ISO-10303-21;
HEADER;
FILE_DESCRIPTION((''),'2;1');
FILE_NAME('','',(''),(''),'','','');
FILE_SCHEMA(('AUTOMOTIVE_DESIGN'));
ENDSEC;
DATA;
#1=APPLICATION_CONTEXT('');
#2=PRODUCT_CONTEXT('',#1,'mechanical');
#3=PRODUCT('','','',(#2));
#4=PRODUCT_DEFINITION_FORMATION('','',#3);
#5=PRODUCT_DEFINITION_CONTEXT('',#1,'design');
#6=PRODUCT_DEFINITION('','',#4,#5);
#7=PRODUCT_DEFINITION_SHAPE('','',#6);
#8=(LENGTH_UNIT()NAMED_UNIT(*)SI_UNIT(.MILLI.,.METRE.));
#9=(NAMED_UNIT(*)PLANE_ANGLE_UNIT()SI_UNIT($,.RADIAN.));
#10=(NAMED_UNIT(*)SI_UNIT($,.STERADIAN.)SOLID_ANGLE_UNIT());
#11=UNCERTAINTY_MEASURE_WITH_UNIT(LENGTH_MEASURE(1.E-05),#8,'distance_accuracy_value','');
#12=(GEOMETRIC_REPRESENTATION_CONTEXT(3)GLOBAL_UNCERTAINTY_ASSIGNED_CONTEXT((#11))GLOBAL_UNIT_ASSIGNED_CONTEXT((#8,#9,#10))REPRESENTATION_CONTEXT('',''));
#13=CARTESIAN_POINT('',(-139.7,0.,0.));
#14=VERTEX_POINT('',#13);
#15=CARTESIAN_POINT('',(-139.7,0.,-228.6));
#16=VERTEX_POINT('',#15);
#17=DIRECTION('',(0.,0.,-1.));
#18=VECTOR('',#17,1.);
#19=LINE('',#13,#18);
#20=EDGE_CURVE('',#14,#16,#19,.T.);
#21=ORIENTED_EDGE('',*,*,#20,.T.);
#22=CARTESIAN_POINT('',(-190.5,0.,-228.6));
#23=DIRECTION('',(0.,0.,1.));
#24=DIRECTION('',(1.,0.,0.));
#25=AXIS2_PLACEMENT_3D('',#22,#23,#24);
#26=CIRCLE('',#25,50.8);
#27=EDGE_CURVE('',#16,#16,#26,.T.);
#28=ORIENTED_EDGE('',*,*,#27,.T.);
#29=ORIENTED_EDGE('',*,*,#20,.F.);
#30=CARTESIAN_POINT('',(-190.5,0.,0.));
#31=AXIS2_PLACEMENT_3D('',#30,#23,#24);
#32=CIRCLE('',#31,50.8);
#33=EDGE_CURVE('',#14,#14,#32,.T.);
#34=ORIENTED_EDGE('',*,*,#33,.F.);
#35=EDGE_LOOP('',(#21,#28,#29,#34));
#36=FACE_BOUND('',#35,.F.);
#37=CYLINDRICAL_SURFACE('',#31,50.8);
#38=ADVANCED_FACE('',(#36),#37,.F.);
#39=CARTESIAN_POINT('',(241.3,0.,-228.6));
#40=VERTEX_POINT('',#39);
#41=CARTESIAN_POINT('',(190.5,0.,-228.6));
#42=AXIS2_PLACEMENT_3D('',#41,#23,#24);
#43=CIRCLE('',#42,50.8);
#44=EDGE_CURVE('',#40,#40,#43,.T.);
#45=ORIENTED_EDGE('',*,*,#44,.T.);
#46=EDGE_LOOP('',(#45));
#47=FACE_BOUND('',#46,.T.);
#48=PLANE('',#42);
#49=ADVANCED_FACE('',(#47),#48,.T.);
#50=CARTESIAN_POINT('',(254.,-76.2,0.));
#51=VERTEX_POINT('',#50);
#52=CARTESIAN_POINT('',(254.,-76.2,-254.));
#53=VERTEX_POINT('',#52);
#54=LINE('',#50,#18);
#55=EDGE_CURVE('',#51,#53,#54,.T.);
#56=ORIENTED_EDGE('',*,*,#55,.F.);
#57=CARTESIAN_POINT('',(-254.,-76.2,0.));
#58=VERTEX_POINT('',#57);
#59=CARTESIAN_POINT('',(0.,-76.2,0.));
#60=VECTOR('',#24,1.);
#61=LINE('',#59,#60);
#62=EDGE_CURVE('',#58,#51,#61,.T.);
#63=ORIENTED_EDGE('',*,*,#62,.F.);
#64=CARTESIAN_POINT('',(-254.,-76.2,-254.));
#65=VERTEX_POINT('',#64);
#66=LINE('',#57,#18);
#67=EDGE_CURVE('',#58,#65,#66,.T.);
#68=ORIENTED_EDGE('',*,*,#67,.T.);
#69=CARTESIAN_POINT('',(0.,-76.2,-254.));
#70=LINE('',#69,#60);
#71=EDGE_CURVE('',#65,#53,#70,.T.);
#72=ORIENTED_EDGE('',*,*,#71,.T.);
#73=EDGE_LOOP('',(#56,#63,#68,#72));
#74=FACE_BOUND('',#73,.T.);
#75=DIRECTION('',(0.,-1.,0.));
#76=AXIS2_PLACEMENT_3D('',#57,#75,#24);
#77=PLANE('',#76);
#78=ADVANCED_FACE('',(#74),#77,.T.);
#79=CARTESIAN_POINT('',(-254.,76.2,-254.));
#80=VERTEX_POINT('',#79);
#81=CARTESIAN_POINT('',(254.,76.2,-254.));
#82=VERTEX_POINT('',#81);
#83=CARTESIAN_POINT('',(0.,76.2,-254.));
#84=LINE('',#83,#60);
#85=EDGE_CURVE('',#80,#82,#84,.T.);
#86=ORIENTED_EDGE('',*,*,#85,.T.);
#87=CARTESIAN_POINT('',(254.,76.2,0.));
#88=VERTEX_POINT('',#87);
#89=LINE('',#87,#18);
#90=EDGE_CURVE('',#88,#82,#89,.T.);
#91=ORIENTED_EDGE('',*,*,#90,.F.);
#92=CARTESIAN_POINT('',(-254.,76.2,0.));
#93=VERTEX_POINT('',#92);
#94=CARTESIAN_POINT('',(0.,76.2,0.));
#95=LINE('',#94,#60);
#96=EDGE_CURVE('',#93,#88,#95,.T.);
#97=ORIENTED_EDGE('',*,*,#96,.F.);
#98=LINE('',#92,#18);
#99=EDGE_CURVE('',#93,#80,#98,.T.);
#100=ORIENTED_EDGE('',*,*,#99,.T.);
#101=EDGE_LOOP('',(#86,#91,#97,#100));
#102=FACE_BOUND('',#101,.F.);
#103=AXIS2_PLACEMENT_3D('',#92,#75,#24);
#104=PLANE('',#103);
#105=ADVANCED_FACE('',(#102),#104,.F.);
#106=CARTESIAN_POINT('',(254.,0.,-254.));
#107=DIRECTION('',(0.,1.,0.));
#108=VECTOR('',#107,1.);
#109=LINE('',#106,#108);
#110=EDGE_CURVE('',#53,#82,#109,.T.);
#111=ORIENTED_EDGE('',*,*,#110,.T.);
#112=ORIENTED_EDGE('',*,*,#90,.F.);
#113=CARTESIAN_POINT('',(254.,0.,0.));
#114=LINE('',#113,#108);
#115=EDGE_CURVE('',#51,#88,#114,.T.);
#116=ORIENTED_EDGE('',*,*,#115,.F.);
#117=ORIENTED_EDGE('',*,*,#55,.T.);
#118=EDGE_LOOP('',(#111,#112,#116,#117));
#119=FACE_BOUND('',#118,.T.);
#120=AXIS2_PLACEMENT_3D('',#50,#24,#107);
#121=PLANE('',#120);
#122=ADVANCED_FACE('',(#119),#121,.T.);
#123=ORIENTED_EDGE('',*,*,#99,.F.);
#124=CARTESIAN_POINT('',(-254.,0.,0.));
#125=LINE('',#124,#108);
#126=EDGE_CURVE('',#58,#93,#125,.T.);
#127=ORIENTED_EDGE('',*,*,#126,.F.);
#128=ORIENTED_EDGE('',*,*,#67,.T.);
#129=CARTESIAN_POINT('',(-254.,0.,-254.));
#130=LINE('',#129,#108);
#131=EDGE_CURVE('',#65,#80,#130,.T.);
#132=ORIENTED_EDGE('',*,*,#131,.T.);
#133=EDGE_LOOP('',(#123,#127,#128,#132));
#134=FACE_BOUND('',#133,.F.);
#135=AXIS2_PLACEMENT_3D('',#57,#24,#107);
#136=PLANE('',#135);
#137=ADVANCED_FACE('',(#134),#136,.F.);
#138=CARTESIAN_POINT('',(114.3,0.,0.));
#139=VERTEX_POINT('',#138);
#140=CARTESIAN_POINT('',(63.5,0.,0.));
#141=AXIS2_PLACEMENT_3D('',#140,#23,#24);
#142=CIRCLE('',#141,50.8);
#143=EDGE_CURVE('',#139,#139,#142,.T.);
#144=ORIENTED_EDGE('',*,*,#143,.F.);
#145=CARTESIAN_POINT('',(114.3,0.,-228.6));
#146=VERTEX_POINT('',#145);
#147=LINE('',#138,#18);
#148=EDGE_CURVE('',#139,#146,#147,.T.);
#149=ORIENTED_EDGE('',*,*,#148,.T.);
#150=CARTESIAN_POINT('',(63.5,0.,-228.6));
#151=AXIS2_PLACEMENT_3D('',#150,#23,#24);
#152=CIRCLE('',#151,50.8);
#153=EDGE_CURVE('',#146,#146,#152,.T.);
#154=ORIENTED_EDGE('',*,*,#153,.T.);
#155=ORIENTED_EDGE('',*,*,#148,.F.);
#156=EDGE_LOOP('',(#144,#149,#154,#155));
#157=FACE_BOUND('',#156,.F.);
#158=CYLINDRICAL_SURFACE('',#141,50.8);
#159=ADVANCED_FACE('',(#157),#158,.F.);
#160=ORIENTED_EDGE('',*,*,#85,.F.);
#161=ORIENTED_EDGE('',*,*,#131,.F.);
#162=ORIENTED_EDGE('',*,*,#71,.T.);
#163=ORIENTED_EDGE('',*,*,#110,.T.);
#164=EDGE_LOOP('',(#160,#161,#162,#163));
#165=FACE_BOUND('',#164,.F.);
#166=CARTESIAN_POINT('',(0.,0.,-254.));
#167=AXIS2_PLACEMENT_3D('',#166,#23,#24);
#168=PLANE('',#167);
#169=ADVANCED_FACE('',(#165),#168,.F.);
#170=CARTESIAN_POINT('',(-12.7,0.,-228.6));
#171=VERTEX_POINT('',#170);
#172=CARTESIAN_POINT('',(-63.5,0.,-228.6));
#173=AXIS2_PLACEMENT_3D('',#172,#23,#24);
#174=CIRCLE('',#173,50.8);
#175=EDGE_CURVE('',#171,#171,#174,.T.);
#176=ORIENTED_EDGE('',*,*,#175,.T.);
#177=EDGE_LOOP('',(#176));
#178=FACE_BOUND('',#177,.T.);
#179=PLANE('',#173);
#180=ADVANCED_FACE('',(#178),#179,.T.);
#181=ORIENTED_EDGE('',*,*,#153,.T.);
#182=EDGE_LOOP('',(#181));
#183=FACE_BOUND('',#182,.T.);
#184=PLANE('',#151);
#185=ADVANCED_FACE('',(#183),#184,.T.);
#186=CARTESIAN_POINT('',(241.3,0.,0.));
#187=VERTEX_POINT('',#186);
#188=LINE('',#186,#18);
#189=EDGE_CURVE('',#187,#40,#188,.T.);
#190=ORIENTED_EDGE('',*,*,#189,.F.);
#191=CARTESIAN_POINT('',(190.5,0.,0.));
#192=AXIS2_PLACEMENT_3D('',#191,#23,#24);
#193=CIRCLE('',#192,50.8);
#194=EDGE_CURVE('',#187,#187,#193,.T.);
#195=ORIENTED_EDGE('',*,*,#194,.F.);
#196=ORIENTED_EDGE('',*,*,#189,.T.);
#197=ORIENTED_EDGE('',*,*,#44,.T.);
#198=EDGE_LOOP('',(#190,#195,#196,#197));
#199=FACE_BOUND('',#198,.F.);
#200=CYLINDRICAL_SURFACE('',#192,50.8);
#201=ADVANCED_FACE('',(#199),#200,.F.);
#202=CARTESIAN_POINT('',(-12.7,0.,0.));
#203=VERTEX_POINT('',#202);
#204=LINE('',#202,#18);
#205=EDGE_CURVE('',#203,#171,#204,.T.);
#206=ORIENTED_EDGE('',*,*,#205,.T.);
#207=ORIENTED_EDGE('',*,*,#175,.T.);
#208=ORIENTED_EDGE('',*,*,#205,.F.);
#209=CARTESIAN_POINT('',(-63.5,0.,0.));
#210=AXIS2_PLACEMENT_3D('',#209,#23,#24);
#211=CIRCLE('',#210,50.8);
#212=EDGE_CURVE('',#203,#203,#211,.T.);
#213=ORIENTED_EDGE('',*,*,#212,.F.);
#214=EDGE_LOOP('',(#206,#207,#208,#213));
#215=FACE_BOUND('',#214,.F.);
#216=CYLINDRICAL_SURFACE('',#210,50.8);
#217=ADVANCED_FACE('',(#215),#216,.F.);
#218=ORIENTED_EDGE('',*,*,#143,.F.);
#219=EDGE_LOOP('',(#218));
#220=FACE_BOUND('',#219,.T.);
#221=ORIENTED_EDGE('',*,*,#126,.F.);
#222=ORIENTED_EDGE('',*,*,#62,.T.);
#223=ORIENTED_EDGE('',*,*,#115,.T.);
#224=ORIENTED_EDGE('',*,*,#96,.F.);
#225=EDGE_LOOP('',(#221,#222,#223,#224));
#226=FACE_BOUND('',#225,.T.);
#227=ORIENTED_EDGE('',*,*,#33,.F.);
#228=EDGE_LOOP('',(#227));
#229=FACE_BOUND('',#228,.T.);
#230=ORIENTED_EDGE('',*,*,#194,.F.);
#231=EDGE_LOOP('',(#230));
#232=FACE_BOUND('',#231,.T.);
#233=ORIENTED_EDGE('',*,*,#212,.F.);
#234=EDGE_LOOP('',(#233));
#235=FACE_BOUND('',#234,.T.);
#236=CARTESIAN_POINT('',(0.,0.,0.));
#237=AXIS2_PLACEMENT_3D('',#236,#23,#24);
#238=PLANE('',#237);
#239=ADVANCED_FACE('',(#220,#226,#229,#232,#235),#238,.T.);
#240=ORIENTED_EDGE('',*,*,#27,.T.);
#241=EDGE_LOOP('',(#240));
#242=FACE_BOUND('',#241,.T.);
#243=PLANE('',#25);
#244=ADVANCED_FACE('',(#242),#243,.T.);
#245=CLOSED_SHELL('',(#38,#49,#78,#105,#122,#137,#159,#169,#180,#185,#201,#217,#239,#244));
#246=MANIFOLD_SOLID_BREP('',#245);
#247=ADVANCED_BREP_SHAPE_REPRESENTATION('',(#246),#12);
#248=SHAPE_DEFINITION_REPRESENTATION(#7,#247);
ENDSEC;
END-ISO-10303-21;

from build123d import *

# Parameters (mm, degrees)
F0_W     = 508
F0_H     = 152.4
F1_DEPTH = 254
F2_R     = 50.8
F3_DEPTH = 228.6


with BuildPart() as f1:
    # F0 (on Top) → F1 (new body)
    with BuildSketch(Plane.XY):
        Rectangle(F0_W, F0_H)
    extrude(amount=-F1_DEPTH)

    # F2 (on face) → F3 (cut)
    with BuildSketch(Plane.XY):
        with Locations((-63.5, 0)):
            Circle(F2_R)
        with Locations((63.5, 0)):
            Circle(F2_R)
        with Locations((-190.5, 0)):
            Circle(F2_R)
        with Locations((190.5, 0)):
            Circle(F2_R)
    extrude(amount=-F3_DEPTH, mode=Mode.SUBTRACT)


solid = f1.part
